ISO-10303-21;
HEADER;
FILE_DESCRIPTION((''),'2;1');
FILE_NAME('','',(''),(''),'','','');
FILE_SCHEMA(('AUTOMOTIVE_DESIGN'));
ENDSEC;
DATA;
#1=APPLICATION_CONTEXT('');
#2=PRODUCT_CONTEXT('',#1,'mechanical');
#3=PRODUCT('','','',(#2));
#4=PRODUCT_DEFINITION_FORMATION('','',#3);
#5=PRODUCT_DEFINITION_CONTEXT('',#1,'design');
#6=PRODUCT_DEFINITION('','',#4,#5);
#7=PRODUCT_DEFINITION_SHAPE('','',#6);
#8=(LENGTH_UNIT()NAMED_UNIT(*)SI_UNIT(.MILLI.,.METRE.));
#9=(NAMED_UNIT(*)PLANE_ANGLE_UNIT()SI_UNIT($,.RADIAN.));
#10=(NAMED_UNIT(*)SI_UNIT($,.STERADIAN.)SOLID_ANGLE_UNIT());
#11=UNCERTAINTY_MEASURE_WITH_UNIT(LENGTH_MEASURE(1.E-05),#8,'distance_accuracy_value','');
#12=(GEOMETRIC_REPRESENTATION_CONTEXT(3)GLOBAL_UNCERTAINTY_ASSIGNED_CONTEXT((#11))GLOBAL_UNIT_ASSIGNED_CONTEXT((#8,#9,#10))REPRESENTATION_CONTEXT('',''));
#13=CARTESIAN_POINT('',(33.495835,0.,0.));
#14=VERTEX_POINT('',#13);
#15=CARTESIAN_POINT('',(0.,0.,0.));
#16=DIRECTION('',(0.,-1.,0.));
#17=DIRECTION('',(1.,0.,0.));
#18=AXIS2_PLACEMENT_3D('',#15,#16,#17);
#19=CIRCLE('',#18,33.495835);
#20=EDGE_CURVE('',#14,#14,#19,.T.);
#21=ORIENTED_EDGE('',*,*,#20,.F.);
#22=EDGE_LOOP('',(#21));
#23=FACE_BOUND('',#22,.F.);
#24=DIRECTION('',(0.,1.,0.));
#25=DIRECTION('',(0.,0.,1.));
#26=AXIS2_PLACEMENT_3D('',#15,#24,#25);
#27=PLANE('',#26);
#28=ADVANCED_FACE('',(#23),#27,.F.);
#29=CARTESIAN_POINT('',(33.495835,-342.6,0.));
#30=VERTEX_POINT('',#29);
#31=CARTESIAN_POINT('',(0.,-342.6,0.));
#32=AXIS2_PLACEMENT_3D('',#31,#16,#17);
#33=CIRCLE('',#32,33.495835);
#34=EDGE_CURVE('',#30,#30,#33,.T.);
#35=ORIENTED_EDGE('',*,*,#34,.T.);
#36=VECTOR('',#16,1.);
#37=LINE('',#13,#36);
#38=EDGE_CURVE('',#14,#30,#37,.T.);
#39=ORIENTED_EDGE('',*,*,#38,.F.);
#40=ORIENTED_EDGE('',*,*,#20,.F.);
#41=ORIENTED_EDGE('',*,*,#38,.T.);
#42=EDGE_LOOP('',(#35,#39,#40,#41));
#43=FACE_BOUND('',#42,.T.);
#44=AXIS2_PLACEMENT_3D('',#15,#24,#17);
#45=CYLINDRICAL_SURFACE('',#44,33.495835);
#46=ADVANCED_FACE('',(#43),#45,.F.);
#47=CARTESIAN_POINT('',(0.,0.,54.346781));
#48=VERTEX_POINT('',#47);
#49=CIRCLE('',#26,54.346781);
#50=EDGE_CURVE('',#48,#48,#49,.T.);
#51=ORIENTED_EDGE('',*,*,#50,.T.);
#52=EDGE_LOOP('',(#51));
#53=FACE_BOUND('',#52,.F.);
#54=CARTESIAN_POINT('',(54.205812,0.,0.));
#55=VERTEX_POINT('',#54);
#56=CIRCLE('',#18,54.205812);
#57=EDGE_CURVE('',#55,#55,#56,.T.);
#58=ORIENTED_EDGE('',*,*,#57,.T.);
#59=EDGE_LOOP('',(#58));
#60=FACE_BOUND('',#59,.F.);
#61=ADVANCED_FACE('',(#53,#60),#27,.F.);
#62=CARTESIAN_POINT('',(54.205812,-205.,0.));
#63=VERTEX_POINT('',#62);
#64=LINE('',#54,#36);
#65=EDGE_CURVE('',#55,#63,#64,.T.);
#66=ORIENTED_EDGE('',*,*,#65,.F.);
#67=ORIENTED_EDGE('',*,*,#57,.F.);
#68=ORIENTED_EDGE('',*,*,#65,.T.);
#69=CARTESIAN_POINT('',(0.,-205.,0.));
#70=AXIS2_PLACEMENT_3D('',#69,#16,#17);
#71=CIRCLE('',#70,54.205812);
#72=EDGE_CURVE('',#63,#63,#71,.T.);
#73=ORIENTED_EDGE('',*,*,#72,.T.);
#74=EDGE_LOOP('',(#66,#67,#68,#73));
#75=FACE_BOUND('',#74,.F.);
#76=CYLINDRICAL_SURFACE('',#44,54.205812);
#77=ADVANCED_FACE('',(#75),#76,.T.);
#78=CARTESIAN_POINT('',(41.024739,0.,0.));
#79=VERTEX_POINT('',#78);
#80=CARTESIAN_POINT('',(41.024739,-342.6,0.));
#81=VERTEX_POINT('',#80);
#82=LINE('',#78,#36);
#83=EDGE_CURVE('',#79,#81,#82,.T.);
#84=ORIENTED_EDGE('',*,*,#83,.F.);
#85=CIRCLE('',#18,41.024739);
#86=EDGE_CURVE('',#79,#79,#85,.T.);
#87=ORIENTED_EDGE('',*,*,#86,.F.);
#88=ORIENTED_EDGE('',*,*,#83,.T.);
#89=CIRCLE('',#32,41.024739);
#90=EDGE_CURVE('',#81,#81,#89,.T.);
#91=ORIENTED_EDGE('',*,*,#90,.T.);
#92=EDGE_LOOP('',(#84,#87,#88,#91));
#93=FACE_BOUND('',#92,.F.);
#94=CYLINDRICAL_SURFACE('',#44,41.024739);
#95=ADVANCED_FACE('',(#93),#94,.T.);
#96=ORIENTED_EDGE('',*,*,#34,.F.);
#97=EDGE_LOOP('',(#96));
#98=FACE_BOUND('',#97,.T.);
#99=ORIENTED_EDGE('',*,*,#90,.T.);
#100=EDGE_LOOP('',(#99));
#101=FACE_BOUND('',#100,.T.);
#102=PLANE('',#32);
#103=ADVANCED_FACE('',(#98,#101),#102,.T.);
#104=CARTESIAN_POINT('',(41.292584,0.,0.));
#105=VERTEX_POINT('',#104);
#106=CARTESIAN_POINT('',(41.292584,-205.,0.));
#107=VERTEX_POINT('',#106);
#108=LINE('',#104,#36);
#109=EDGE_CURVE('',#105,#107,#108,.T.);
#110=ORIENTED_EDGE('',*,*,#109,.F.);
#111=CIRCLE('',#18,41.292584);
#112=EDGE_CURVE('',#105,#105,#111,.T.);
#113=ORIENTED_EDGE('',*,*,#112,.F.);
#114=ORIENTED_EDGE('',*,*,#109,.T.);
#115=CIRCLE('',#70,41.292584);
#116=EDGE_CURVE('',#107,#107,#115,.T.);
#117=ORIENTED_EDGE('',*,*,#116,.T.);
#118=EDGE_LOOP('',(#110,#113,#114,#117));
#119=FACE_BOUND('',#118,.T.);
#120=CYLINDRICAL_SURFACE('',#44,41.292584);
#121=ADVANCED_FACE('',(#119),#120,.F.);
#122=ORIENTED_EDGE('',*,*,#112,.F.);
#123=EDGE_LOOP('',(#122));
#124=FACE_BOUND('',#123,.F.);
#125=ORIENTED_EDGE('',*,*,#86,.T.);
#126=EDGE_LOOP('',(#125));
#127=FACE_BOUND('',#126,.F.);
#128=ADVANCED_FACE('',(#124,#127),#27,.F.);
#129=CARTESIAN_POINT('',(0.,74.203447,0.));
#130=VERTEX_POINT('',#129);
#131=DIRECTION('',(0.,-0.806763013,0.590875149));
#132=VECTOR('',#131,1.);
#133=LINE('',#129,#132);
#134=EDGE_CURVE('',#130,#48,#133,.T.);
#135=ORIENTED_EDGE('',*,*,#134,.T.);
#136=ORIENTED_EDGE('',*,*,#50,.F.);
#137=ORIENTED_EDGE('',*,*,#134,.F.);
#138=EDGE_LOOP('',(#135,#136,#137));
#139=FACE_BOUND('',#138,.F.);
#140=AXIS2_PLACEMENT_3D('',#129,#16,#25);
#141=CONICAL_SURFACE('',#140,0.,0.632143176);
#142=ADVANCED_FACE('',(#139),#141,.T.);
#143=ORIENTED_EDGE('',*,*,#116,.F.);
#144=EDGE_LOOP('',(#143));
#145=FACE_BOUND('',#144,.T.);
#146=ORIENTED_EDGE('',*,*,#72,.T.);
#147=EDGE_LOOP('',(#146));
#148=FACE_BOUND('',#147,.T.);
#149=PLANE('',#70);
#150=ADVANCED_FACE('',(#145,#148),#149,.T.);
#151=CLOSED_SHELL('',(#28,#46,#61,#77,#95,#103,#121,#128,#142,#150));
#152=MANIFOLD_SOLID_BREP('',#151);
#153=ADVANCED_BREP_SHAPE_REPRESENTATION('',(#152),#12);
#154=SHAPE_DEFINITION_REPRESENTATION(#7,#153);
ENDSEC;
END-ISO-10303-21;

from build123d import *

# Parameters (mm, degrees)
F0_R     = 54.205812
F0_R_2   = 41.292584
F1_DEPTH = 205
F4_R     = 41.024739
F4_R_2   = 33.495835
F5_DEPTH = 342.6


with BuildPart() as f1:
    # F0 (on Front) → F1 (new body)
    with BuildSketch(Plane.XZ):
        Circle(F0_R)
        Circle(F0_R_2, mode=Mode.SUBTRACT)
    extrude(amount=F1_DEPTH)

    # F2 (on Right) → F3 (revolve)
    with BuildSketch(Plane.YZ):
        Polygon((0, 54.346781), (0, 0), (74.203447, 0), align=None)
    revolve(axis=Axis((0, 37.101723, 0), (0, 1, 0)))

    # F4 (on Front) → F5 (join)
    with BuildSketch(Plane.XZ):
        Circle(F4_R)
        Circle(F4_R_2, mode=Mode.SUBTRACT)
    extrude(amount=F5_DEPTH)


solid = f1.part
